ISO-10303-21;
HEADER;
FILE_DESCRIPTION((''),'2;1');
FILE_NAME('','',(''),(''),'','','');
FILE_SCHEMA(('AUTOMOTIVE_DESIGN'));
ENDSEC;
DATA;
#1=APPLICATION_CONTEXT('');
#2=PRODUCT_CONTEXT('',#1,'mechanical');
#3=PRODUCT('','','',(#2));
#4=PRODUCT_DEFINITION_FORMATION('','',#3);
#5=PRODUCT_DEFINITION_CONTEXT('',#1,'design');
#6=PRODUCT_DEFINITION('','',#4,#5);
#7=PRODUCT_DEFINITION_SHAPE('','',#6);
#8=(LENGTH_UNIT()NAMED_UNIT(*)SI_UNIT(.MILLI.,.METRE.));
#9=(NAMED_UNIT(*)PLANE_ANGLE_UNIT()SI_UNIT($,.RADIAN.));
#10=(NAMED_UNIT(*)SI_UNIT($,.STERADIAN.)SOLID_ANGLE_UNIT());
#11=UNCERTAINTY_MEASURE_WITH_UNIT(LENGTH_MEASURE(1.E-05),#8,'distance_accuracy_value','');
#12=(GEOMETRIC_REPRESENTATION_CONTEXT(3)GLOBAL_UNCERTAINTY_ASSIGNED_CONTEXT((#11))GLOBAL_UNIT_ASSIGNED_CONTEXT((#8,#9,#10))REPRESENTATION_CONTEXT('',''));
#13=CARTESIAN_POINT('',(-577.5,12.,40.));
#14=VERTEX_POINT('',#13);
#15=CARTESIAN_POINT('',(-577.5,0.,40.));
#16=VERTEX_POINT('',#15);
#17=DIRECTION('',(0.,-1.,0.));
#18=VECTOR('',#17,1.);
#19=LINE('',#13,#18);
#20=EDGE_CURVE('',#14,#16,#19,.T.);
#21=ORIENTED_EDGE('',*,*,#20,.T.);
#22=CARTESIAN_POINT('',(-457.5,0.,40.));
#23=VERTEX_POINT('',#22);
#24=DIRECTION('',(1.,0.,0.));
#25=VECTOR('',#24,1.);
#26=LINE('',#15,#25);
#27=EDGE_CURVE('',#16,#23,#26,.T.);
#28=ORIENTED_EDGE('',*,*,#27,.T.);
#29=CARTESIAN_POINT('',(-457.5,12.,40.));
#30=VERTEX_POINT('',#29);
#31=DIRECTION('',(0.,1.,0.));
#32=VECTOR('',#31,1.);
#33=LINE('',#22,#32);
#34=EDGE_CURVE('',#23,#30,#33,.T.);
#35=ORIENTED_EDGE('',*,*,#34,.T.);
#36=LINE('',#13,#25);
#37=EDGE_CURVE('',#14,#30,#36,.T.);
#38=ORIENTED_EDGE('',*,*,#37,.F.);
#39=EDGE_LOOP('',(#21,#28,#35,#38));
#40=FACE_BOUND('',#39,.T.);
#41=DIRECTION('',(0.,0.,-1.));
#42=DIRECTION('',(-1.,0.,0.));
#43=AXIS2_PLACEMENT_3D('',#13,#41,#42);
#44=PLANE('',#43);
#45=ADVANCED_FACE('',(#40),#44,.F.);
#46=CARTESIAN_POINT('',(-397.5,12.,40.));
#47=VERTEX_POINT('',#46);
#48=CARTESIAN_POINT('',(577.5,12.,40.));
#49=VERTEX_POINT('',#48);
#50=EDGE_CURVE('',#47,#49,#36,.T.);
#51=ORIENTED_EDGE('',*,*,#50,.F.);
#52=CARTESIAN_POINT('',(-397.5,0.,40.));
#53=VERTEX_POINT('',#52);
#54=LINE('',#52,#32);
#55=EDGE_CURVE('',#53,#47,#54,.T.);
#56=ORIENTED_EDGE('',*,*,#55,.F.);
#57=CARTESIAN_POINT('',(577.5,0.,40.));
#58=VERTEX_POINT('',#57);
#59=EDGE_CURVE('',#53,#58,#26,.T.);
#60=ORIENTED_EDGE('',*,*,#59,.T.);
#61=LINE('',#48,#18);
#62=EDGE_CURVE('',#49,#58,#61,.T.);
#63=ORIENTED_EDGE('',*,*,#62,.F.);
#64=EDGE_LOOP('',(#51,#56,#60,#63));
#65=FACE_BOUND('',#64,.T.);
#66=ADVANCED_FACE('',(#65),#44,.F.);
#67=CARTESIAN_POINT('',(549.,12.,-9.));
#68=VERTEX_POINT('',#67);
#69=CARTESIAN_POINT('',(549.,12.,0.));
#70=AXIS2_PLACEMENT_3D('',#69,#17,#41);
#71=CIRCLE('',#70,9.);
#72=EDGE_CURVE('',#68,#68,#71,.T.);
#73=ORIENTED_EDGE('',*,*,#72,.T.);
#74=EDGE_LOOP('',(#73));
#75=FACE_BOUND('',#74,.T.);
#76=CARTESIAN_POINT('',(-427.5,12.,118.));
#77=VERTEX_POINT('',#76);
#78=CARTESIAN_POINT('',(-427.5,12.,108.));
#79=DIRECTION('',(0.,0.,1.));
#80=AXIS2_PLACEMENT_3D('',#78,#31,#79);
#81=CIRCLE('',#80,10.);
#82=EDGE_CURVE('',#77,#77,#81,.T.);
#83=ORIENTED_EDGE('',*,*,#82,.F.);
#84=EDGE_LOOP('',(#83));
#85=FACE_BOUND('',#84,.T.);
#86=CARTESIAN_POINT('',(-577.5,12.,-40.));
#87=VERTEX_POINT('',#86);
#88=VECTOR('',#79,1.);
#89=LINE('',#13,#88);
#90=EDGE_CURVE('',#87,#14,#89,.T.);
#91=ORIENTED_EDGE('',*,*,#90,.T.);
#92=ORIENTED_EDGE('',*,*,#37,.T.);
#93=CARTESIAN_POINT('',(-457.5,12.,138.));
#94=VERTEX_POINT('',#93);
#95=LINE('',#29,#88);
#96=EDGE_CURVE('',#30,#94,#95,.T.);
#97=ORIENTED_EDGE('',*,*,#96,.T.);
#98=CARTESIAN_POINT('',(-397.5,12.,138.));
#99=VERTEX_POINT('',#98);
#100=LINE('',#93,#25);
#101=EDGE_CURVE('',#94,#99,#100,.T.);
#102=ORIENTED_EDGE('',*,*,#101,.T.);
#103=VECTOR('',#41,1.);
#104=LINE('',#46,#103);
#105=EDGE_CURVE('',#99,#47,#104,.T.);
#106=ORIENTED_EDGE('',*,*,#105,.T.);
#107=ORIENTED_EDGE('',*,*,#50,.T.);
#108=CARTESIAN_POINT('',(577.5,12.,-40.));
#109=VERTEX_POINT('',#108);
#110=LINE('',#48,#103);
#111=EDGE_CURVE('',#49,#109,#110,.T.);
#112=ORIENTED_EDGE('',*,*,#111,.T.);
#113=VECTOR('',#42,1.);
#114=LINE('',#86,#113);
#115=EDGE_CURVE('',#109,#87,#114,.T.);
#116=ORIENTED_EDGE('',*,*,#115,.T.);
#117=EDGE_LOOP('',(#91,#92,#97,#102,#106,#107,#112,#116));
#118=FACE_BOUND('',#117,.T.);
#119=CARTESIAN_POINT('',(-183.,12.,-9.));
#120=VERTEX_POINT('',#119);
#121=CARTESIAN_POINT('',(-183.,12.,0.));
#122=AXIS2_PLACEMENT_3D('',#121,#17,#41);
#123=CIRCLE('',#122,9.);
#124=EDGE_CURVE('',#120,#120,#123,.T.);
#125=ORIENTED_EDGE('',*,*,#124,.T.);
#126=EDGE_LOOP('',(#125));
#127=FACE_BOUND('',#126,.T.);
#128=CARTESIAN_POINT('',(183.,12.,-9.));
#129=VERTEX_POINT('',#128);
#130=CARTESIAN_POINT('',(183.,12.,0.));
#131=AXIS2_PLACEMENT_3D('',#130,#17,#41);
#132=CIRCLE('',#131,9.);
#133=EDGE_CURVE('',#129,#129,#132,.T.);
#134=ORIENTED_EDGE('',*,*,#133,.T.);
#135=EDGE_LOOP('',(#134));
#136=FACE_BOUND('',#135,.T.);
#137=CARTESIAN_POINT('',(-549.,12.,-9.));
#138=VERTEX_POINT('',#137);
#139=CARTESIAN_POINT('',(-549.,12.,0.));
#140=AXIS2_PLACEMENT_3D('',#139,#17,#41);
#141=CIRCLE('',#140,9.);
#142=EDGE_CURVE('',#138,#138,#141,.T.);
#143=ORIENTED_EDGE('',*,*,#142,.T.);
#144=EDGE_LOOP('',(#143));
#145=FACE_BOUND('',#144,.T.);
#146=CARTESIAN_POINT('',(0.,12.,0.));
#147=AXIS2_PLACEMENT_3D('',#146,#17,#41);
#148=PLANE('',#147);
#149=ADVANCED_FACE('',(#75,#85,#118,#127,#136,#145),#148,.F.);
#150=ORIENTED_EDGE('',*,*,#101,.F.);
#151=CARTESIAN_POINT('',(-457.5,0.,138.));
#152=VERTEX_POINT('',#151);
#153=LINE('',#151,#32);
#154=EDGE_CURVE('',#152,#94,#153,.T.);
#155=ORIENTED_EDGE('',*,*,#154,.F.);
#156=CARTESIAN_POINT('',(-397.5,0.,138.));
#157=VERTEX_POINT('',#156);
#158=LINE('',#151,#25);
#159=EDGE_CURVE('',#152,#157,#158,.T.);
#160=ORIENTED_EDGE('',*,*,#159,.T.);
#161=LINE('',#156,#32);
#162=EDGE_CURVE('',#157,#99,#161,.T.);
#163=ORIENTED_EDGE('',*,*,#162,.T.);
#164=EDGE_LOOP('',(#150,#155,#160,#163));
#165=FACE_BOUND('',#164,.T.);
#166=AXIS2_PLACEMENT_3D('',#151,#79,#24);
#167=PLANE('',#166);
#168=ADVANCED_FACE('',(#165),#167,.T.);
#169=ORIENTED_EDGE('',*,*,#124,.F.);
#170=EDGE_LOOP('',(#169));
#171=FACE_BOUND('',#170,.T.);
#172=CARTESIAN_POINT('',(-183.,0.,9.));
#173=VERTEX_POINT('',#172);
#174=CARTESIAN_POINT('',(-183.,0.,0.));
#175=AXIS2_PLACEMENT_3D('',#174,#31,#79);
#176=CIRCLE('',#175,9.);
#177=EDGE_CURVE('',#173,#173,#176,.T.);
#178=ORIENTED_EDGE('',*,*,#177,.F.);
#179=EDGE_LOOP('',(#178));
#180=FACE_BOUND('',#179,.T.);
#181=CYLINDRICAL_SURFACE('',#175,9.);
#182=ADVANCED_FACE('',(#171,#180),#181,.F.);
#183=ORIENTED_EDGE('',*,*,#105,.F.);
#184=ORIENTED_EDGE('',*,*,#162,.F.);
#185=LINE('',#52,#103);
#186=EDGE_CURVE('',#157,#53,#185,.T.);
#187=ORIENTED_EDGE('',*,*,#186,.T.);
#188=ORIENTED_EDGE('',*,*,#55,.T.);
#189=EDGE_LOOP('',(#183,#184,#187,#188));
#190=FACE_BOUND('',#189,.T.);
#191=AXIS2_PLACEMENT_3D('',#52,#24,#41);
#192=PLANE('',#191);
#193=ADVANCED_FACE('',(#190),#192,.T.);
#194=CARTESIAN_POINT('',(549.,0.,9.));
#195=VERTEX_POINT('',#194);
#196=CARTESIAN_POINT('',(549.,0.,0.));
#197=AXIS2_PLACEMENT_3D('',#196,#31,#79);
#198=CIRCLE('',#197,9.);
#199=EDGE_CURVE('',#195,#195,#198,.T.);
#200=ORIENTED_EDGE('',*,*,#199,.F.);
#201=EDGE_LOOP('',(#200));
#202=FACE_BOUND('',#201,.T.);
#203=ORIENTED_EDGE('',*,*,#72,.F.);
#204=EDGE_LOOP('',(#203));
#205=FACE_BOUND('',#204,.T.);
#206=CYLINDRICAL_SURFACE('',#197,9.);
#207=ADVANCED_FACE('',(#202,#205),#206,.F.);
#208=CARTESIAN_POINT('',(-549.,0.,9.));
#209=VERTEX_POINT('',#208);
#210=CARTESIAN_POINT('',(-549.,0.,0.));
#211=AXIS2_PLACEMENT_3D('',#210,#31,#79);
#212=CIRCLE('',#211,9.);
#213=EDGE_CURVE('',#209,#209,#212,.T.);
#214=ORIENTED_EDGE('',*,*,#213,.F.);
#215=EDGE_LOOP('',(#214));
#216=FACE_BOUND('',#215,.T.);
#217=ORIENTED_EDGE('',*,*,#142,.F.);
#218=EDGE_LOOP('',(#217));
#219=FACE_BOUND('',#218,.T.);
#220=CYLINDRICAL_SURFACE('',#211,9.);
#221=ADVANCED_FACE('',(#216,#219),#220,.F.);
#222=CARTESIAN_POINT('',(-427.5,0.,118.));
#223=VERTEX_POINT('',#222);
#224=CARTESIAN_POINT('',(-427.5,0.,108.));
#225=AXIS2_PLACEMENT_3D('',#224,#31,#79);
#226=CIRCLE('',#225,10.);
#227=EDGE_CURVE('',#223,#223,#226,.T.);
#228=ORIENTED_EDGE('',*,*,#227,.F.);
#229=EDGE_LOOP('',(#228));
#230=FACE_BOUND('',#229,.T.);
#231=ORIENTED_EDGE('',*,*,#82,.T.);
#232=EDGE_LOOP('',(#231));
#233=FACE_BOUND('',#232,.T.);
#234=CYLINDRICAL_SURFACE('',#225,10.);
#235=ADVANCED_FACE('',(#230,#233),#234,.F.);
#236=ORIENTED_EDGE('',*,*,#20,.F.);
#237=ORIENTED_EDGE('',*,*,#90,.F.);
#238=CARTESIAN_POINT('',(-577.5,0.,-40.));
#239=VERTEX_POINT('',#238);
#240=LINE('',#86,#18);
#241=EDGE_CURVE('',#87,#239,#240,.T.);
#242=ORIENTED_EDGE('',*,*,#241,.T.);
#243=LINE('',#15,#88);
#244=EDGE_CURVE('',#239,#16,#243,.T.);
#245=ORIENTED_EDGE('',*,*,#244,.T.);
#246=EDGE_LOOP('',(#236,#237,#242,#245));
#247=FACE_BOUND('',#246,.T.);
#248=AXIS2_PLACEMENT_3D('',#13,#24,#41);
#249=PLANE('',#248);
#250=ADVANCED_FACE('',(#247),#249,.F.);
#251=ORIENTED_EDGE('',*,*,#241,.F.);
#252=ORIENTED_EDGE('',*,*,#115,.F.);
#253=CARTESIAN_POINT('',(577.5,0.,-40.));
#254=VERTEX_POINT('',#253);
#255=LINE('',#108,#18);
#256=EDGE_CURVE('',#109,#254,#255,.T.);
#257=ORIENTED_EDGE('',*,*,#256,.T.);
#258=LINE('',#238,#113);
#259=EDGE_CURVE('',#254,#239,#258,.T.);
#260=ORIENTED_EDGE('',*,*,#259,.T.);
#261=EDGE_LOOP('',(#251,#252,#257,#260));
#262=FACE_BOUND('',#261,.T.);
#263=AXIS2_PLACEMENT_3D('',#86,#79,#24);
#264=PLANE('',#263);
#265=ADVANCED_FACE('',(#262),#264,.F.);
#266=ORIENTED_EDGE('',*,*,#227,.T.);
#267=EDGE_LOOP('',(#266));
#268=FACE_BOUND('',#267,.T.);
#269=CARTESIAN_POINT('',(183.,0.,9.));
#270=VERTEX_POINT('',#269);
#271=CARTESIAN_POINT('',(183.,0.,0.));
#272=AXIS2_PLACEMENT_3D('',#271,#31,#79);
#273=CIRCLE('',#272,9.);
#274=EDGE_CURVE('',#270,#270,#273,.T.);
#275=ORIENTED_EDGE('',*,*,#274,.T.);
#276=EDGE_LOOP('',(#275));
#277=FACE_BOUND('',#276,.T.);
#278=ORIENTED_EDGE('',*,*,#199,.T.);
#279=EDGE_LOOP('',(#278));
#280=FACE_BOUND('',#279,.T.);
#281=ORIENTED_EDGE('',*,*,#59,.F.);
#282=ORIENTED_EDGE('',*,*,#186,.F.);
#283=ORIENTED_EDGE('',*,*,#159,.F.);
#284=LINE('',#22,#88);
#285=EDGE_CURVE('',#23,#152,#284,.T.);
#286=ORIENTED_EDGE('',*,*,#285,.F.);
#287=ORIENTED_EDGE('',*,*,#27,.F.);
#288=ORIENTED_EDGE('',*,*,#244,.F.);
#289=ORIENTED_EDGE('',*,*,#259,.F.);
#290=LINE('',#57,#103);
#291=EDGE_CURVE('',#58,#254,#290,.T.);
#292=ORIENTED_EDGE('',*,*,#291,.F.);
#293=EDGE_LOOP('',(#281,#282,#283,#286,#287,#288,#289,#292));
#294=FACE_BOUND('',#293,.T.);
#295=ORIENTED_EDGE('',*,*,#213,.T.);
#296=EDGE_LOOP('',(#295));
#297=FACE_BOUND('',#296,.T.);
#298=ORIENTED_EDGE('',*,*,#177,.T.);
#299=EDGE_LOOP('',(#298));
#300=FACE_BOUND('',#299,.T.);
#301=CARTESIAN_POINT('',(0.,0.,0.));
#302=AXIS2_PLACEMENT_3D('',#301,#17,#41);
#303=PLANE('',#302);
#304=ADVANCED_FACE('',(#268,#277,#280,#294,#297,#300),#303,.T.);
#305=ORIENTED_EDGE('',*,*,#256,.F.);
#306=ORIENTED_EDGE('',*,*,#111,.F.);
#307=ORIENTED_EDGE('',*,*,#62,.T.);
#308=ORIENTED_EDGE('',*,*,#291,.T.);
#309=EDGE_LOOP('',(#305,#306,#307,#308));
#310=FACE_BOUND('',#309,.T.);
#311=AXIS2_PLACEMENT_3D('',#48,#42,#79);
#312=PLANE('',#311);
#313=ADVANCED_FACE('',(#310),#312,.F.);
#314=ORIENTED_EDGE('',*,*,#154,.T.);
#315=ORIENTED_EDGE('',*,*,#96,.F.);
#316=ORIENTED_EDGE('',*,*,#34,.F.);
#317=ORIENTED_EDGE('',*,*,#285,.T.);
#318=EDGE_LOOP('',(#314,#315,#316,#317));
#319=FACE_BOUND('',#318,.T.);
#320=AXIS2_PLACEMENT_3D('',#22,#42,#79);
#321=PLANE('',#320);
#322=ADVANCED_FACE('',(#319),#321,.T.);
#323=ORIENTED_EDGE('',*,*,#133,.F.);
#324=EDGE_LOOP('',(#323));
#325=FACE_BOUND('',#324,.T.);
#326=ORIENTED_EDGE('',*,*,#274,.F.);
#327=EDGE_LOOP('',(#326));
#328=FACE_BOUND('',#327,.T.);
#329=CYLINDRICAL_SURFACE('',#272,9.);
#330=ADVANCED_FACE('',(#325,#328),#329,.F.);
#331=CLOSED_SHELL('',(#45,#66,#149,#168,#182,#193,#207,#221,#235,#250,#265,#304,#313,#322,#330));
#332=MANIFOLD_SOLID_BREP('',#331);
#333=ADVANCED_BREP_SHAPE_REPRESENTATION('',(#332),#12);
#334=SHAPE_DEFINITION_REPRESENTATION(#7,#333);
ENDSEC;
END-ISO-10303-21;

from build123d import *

# Parameters (mm, degrees)
SKETCH1_W           = 1155
SKETCH1_H           = 80
BOSS_EXTRUDE1_DEPTH = 12
SKETCH2_R           = 9
CUT_EXTRUDE1_DEPTH  = 580.007987855
LPATTERN1_COUNT     = 4
LPATTERN1_PITCH     = 366
SKETCH3_W           = 60
SKETCH3_H           = 98
SKETCH3_R           = 10
BOSS_EXTRUDE2_DEPTH = 12


with BuildPart() as part:
    # Sketch1 → Boss-Extrude1 (new body)
    with BuildSketch(Plane(origin=(0, 0, 0), x_dir=(1, 0, 0), z_dir=(0, 1, 0))):
        Rectangle(SKETCH1_W, SKETCH1_H)
    extrude(amount=BOSS_EXTRUDE1_DEPTH)

    # Sketch2 → Cut-Extrude1 (cut, symmetric)
    with BuildSketch(Plane(origin=(0, 12, 0), x_dir=(1, 0, 0), z_dir=(0, 1, 0))):
        with Locations(Location((-549, 0, 0), (0, 0, 270))):
            Circle(SKETCH2_R)
    cut_extrude1 = extrude(amount=CUT_EXTRUDE1_DEPTH, both=True, mode=Mode.SUBTRACT)

    # LPattern1: Cut-Extrude1 ×4
    with Locations(*[(i * LPATTERN1_PITCH, 0, 0) for i in range(1, LPATTERN1_COUNT)]):
        add(cut_extrude1, mode=Mode.SUBTRACT)

    # Sketch3 → Boss-Extrude2 (add)
    with BuildSketch(Plane(origin=(0, 12, 0), x_dir=(1, 0, 0), z_dir=(0, 1, 0))):
        with Locations((-427.5, -89)):
            Rectangle(SKETCH3_W, SKETCH3_H)
        with Locations(Location((-427.5, -108, 0), (0, 0, 270))):
            Circle(SKETCH3_R, mode=Mode.SUBTRACT)
    extrude(amount=-BOSS_EXTRUDE2_DEPTH)


solid = part.part
